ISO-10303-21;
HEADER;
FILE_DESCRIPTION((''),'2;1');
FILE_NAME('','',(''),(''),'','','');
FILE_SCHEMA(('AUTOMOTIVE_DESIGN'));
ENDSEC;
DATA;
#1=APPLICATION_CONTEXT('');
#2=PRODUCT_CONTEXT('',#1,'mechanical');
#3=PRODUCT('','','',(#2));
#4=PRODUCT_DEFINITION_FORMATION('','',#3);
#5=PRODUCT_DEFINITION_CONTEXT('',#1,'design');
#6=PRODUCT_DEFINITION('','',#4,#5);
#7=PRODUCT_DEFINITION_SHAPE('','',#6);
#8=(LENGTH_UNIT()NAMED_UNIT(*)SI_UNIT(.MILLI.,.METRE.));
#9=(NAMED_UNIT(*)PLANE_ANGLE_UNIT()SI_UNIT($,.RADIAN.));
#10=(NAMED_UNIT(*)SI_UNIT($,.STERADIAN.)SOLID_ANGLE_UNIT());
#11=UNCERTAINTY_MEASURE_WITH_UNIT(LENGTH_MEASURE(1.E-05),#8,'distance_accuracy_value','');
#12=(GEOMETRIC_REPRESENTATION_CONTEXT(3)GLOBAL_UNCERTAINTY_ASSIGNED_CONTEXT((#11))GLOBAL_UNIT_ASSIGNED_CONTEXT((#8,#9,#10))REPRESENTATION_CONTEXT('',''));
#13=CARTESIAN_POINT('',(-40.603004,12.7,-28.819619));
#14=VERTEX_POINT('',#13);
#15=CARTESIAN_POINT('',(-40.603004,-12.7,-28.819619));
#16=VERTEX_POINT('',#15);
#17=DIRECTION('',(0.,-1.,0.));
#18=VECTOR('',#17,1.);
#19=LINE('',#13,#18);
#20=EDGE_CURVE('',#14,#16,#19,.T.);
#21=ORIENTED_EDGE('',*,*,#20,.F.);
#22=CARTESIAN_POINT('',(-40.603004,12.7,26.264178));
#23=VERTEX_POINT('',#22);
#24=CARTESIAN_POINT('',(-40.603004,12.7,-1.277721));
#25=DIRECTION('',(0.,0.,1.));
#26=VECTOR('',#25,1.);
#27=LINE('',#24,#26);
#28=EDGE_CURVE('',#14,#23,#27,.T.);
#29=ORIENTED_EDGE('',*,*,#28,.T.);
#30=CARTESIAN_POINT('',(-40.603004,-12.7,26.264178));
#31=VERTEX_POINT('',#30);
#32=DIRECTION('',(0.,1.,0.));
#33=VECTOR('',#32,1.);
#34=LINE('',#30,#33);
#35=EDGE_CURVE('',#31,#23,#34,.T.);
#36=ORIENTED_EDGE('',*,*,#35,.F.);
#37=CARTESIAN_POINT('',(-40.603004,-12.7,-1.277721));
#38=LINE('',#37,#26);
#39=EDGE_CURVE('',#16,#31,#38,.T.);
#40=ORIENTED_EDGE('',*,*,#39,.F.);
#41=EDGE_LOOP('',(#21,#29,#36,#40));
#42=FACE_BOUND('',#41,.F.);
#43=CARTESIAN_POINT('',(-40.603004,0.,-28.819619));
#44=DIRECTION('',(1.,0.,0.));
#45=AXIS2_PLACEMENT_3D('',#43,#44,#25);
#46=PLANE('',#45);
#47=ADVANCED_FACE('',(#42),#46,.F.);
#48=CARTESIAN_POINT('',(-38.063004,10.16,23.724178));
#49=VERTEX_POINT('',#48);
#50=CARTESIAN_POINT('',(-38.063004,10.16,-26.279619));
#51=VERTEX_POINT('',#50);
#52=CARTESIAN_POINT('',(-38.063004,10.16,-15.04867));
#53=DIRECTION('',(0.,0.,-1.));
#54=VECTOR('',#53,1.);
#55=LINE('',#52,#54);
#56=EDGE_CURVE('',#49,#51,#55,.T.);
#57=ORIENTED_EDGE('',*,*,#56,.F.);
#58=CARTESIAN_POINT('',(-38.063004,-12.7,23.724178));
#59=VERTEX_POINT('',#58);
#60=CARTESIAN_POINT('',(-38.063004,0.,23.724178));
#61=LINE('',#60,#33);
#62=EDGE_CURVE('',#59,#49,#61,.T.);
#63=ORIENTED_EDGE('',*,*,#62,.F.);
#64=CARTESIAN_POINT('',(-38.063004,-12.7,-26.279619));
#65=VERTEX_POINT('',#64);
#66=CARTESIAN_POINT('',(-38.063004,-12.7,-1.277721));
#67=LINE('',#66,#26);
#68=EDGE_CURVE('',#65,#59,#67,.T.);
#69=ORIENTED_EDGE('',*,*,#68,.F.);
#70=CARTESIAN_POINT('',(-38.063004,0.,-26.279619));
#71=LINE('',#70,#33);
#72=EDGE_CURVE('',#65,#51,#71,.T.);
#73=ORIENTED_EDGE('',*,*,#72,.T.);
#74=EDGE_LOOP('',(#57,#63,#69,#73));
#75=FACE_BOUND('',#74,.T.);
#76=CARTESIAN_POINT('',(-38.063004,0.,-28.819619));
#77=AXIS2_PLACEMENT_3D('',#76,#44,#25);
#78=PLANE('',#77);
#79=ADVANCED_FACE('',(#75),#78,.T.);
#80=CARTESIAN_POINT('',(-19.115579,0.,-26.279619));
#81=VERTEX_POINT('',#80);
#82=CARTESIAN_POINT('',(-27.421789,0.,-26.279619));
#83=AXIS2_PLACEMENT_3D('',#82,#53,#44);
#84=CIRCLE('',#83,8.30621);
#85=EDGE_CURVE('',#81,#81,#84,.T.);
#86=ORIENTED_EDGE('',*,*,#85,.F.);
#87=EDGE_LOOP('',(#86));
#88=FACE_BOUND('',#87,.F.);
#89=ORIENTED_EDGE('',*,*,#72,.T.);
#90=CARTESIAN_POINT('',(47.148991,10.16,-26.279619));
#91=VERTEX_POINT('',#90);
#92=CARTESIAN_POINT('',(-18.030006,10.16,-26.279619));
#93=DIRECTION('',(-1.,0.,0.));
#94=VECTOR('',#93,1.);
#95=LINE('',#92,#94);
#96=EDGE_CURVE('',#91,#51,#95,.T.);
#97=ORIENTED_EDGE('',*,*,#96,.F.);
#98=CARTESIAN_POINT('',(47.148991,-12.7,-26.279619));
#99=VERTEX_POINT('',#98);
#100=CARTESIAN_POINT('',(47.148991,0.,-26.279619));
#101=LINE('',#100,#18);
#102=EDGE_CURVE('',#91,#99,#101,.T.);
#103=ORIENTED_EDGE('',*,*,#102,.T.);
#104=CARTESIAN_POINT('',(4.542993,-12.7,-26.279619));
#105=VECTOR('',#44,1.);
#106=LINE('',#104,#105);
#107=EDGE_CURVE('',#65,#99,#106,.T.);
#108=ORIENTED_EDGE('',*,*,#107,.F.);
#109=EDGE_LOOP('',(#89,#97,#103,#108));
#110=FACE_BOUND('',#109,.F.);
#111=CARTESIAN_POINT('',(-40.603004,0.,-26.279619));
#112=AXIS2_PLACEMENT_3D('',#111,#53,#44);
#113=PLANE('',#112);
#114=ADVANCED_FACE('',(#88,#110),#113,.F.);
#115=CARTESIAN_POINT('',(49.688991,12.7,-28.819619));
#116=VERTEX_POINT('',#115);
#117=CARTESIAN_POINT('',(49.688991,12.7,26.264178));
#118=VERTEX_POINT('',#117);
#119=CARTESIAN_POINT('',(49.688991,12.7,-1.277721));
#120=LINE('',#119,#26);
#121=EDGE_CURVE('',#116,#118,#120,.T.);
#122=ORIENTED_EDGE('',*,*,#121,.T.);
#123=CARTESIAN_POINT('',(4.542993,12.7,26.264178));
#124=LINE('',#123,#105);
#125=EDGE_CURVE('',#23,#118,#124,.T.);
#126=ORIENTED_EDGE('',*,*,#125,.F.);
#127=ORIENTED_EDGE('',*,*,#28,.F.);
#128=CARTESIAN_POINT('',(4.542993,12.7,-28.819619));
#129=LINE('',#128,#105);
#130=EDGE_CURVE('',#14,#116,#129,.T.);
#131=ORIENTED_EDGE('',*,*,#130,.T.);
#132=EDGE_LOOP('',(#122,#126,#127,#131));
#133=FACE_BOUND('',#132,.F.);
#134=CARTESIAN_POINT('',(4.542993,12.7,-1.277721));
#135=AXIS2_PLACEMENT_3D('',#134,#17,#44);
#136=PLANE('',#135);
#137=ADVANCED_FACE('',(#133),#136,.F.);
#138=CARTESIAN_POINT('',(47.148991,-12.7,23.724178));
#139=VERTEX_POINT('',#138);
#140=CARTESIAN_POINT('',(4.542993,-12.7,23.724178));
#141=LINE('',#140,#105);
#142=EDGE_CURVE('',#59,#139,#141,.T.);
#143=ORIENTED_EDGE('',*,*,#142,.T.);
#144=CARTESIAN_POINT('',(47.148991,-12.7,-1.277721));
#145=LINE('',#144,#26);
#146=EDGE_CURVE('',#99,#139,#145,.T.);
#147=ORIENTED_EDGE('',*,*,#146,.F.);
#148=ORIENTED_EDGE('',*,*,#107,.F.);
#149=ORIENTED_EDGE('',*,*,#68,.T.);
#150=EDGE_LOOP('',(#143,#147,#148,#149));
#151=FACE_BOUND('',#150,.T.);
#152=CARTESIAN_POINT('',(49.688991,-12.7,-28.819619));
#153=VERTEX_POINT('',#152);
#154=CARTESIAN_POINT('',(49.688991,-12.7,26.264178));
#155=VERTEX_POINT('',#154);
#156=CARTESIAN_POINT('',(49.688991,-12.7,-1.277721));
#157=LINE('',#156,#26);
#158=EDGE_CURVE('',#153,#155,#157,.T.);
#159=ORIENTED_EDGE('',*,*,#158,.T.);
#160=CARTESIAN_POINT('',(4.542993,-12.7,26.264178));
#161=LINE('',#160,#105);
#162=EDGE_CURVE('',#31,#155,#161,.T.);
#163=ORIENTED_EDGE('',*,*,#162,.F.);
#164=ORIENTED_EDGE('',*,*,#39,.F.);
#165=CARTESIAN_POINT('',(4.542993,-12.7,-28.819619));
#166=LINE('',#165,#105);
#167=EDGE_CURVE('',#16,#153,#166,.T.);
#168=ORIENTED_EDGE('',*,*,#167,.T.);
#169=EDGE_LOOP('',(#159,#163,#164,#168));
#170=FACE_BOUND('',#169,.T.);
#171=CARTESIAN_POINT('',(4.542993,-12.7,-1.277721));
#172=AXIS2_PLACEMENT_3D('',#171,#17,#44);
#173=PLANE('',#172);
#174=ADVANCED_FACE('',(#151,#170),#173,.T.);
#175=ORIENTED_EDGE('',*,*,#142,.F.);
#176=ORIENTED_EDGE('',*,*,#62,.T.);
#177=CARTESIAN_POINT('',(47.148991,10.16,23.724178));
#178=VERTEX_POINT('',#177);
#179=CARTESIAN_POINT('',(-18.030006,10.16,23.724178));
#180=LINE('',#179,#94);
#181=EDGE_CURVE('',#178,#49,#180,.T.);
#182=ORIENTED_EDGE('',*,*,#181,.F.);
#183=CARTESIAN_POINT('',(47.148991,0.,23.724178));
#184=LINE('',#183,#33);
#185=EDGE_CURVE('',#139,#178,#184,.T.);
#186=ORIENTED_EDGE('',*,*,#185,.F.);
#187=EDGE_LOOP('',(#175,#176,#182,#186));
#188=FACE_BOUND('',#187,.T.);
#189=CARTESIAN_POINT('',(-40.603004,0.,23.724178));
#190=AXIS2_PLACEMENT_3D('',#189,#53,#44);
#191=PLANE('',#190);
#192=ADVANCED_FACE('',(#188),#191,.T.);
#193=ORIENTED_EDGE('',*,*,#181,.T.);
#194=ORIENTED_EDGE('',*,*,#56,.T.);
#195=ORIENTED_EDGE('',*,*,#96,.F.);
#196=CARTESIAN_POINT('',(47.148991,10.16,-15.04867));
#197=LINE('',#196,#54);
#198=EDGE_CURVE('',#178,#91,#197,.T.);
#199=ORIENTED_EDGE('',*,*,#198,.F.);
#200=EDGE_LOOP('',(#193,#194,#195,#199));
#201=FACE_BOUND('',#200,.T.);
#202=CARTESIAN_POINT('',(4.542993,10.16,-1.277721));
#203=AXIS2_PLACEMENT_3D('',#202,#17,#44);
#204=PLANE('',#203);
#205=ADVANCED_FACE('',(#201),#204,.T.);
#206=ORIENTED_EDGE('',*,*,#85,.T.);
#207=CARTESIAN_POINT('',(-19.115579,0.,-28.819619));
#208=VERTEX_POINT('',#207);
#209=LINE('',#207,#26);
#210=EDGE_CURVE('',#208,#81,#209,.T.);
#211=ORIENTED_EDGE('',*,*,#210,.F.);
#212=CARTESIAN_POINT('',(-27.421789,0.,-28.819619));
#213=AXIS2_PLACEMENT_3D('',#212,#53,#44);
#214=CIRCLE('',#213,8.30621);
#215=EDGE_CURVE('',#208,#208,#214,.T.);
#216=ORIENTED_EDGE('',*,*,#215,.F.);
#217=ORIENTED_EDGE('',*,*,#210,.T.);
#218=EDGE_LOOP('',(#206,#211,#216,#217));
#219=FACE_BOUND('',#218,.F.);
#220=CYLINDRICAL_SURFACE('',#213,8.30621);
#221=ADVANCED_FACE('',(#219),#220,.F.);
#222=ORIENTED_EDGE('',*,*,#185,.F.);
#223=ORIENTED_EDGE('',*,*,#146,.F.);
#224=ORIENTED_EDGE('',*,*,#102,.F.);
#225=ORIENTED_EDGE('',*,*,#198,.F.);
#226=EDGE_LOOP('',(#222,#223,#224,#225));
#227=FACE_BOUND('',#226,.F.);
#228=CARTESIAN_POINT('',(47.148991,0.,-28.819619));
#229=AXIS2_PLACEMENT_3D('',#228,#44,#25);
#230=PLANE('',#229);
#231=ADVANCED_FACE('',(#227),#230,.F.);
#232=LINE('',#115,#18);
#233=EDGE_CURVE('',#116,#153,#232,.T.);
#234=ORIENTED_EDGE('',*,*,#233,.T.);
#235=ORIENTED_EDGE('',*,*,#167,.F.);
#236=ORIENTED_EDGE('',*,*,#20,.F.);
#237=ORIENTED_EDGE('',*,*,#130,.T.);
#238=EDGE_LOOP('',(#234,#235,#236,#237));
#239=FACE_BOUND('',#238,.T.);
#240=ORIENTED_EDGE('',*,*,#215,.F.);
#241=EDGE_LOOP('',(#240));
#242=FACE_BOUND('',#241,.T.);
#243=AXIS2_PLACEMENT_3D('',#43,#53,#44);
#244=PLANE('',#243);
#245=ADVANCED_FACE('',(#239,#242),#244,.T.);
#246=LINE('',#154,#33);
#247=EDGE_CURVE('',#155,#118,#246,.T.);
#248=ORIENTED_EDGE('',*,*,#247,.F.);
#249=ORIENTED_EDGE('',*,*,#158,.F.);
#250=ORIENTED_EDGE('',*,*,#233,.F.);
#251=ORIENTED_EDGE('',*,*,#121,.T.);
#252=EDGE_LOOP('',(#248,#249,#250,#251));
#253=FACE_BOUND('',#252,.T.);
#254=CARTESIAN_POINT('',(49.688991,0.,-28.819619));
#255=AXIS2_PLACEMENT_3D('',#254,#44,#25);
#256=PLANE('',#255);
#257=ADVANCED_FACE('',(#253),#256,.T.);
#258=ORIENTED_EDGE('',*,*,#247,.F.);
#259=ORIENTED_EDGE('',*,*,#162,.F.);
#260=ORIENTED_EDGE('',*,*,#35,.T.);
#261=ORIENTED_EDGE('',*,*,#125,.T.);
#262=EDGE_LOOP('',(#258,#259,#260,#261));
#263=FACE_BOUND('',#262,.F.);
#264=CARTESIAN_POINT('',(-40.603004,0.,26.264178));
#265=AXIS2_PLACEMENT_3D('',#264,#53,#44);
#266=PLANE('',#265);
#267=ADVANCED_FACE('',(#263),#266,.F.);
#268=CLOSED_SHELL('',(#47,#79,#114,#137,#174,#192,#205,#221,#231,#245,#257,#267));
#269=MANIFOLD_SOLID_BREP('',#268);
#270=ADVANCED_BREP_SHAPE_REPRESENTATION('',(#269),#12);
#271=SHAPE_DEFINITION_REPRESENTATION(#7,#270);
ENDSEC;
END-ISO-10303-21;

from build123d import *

# Parameters (mm, degrees)
F0_W     = 90.2919955552
F0_H     = 55.083796382
F1_DEPTH = 12.7
F2_T     = -2.54
F3_R     = 8.3062100312
F4_DEPTH = 25.4


with BuildPart() as f1:
    # F0 (on Front) → F1 (new body, symmetric)
    with BuildSketch(Plane.XZ):
        with Locations((4.5429933816, -1.2777205557)):
            Rectangle(F0_W, F0_H)
    extrude(amount=F1_DEPTH, both=True)

    # F2
    f2_openings = [f1.faces().sort_by_distance(p)[0] for p in [
        (4.542993, -12.7, -1.277721),
    ]]
    offset(amount=F2_T, openings=f2_openings)

    # F3 (on face) → F4 (cut)
    with BuildSketch(Plane(origin=(0, 0, -28.8196187466), x_dir=(1, 0, 0), z_dir=(0, 0, -1))):
        with Locations((-27.4217892438, 0)):
            Circle(F3_R)
    extrude(amount=-F4_DEPTH, mode=Mode.SUBTRACT)


solid = f1.part
